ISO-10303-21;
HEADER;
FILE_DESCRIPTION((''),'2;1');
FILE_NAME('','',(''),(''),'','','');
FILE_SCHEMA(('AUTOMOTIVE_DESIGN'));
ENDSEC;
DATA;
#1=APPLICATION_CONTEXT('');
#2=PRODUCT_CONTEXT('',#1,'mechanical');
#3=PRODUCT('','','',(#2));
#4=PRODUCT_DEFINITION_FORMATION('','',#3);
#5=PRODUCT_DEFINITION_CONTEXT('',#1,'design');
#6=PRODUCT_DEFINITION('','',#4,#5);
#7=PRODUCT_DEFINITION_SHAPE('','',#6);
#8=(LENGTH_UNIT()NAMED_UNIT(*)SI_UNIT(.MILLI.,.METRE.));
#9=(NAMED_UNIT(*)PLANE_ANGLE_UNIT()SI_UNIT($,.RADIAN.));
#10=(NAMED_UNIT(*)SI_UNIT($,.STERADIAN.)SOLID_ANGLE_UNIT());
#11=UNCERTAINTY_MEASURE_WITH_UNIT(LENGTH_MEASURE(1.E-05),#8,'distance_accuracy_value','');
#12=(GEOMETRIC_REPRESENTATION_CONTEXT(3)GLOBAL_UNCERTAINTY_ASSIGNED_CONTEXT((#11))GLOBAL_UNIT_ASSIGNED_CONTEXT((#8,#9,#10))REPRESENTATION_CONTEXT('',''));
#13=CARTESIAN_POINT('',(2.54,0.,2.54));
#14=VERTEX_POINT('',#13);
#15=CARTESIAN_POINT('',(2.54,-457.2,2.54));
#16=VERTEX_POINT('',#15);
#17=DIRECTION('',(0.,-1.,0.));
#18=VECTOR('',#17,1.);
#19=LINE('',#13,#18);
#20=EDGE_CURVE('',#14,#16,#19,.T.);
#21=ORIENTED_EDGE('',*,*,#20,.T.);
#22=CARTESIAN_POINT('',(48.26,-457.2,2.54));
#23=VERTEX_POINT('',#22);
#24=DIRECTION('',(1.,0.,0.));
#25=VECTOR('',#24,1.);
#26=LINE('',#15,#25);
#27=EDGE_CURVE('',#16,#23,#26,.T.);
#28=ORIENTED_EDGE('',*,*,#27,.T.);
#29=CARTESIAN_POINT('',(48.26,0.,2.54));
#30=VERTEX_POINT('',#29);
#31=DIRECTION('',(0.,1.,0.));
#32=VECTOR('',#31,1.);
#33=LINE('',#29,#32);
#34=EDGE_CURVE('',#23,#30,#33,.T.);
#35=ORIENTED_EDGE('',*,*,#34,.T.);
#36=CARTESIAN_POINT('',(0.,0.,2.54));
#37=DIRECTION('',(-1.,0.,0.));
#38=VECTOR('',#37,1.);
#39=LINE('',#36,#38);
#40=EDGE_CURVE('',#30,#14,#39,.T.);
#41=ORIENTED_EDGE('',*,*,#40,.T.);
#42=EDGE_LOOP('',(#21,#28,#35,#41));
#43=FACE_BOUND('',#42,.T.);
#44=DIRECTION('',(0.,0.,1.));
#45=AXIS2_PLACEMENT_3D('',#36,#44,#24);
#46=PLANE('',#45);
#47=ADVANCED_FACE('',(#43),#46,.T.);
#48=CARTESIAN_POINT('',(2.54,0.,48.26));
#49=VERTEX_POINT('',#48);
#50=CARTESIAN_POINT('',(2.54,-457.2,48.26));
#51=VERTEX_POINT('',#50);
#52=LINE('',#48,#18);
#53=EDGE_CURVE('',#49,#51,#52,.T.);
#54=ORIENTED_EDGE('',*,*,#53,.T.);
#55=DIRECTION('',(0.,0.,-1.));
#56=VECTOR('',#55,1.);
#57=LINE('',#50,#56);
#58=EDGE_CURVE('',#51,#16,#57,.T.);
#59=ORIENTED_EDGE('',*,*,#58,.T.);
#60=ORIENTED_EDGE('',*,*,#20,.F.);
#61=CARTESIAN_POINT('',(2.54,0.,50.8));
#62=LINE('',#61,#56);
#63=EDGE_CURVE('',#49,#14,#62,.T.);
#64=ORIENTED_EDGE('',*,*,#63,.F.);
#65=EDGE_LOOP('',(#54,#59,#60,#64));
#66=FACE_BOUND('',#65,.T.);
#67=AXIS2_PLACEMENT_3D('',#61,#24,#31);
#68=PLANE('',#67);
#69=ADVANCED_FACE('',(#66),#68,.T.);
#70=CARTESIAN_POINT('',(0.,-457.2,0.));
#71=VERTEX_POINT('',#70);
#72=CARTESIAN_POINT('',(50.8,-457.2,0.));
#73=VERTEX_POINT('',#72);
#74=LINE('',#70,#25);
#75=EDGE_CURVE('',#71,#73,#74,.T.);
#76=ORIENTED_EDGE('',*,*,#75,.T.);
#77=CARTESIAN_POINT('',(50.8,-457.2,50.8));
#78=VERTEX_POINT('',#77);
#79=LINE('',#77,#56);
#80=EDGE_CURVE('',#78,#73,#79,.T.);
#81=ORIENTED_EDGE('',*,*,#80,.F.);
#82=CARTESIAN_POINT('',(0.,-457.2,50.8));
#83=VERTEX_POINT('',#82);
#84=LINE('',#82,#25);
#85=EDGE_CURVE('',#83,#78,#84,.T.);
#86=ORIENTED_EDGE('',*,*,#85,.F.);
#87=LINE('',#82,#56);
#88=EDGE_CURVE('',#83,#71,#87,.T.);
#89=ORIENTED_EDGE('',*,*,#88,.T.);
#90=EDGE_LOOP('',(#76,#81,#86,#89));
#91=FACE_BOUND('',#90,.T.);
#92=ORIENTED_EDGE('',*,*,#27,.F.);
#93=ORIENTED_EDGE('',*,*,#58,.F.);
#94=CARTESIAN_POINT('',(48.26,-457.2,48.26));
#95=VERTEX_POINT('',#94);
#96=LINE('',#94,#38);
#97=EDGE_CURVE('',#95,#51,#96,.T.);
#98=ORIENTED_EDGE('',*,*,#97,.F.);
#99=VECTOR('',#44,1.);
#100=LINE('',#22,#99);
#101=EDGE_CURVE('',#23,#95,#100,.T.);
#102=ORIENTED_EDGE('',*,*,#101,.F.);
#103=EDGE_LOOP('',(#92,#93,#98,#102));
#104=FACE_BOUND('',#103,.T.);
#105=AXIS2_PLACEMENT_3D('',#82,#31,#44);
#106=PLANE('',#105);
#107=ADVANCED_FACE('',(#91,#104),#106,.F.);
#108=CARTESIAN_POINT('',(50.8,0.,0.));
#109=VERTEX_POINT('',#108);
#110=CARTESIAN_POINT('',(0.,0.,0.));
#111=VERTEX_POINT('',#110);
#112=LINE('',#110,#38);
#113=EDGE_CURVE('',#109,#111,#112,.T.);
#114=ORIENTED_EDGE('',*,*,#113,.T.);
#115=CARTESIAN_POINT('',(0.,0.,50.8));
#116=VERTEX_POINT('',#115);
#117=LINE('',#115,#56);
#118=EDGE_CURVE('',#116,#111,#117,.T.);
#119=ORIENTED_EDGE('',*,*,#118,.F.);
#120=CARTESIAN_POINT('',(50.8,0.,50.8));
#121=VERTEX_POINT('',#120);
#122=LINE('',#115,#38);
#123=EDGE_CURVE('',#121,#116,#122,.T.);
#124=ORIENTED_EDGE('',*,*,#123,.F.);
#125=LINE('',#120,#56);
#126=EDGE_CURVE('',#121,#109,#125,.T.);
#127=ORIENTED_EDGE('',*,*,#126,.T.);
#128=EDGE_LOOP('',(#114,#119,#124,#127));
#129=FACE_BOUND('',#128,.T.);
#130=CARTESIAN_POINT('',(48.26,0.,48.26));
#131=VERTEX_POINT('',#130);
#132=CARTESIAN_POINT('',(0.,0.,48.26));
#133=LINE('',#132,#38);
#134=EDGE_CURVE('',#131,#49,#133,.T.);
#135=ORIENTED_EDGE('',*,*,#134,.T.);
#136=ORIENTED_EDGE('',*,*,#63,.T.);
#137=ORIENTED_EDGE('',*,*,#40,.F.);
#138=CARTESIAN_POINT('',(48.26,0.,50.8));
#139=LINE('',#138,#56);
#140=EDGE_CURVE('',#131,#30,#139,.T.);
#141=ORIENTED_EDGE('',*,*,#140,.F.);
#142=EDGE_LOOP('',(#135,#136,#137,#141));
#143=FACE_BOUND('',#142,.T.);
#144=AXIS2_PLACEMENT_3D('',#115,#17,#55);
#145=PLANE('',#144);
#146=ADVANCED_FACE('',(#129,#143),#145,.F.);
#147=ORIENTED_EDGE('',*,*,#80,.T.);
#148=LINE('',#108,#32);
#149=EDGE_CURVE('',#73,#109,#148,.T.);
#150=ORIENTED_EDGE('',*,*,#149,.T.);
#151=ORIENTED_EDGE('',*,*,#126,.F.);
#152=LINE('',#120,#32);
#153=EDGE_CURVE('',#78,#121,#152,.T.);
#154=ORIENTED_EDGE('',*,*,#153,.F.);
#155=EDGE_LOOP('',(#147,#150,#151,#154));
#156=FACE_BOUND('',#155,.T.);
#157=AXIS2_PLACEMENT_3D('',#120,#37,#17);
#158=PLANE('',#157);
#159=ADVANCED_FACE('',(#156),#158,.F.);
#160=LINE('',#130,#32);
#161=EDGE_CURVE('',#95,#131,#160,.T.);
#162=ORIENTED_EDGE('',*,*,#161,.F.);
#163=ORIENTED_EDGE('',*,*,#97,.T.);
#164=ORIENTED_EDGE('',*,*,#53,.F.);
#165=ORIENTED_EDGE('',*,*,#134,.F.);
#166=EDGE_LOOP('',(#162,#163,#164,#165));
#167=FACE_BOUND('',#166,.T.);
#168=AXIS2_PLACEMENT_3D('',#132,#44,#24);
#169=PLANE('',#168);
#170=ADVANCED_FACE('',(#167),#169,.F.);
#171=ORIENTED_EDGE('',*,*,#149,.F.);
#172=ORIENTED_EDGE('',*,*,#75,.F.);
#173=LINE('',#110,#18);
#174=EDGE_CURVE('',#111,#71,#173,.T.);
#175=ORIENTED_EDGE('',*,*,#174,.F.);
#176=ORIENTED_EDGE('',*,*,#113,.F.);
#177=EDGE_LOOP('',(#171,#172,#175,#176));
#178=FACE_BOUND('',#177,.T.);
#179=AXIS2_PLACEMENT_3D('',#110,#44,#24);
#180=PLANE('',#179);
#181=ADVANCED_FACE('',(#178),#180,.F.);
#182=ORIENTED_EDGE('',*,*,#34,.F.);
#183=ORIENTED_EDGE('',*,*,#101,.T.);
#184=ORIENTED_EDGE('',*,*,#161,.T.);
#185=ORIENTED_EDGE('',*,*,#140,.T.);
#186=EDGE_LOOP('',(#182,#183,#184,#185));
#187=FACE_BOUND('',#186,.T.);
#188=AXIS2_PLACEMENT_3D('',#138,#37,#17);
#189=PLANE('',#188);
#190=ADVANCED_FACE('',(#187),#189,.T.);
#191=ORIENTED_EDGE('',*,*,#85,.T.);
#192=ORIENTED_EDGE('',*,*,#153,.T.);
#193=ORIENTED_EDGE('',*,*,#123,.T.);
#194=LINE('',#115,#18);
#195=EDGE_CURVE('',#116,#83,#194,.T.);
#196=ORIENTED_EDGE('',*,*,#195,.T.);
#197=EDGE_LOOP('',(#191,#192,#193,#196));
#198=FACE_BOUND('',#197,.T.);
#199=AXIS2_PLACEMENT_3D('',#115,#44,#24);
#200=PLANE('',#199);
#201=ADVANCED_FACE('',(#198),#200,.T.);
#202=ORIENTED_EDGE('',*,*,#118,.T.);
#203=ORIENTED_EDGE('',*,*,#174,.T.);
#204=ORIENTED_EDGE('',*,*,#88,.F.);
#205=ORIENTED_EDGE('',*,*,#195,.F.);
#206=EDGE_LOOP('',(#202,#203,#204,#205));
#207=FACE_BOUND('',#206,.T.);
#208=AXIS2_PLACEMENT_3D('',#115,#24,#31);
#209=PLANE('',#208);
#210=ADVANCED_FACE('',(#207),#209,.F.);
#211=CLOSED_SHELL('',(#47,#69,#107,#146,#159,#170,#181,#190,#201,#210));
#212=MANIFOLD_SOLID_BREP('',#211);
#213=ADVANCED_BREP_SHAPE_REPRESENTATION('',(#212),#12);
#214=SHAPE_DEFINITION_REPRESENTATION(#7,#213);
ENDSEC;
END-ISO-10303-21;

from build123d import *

# Parameters (mm, degrees)
SKETCH1_W           = 50.8
SKETCH1_H           = 457.2
BOSS_EXTRUDE1_DEPTH = 50.8
SHELL1_T            = -2.54
SKETCH2_W           = 45.72
SKETCH2_H           = 45.72
CUT_EXTRUDE1_DEPTH  = 50.8


with BuildPart() as part:
    # Sketch1 → Boss-Extrude1 (new body)
    with BuildSketch(Plane.XY):
        with Locations((25.4, -228.6)):
            Rectangle(SKETCH1_W, SKETCH1_H)
    extrude(amount=BOSS_EXTRUDE1_DEPTH)

    # Shell1
    shell1_openings = [part.faces().sort_by_distance(p)[0] for p in [
        (25.4, 0, 25.4),
    ]]
    offset(amount=SHELL1_T, openings=shell1_openings, kind=Kind.INTERSECTION)

    # Sketch2 → Cut-Extrude1 (cut)
    with BuildSketch(Plane.XZ.offset(457.2)):
        with Locations((25.4, 25.4)):
            Rectangle(SKETCH2_W, SKETCH2_H)
    extrude(amount=-CUT_EXTRUDE1_DEPTH, mode=Mode.SUBTRACT)


solid = part.part
